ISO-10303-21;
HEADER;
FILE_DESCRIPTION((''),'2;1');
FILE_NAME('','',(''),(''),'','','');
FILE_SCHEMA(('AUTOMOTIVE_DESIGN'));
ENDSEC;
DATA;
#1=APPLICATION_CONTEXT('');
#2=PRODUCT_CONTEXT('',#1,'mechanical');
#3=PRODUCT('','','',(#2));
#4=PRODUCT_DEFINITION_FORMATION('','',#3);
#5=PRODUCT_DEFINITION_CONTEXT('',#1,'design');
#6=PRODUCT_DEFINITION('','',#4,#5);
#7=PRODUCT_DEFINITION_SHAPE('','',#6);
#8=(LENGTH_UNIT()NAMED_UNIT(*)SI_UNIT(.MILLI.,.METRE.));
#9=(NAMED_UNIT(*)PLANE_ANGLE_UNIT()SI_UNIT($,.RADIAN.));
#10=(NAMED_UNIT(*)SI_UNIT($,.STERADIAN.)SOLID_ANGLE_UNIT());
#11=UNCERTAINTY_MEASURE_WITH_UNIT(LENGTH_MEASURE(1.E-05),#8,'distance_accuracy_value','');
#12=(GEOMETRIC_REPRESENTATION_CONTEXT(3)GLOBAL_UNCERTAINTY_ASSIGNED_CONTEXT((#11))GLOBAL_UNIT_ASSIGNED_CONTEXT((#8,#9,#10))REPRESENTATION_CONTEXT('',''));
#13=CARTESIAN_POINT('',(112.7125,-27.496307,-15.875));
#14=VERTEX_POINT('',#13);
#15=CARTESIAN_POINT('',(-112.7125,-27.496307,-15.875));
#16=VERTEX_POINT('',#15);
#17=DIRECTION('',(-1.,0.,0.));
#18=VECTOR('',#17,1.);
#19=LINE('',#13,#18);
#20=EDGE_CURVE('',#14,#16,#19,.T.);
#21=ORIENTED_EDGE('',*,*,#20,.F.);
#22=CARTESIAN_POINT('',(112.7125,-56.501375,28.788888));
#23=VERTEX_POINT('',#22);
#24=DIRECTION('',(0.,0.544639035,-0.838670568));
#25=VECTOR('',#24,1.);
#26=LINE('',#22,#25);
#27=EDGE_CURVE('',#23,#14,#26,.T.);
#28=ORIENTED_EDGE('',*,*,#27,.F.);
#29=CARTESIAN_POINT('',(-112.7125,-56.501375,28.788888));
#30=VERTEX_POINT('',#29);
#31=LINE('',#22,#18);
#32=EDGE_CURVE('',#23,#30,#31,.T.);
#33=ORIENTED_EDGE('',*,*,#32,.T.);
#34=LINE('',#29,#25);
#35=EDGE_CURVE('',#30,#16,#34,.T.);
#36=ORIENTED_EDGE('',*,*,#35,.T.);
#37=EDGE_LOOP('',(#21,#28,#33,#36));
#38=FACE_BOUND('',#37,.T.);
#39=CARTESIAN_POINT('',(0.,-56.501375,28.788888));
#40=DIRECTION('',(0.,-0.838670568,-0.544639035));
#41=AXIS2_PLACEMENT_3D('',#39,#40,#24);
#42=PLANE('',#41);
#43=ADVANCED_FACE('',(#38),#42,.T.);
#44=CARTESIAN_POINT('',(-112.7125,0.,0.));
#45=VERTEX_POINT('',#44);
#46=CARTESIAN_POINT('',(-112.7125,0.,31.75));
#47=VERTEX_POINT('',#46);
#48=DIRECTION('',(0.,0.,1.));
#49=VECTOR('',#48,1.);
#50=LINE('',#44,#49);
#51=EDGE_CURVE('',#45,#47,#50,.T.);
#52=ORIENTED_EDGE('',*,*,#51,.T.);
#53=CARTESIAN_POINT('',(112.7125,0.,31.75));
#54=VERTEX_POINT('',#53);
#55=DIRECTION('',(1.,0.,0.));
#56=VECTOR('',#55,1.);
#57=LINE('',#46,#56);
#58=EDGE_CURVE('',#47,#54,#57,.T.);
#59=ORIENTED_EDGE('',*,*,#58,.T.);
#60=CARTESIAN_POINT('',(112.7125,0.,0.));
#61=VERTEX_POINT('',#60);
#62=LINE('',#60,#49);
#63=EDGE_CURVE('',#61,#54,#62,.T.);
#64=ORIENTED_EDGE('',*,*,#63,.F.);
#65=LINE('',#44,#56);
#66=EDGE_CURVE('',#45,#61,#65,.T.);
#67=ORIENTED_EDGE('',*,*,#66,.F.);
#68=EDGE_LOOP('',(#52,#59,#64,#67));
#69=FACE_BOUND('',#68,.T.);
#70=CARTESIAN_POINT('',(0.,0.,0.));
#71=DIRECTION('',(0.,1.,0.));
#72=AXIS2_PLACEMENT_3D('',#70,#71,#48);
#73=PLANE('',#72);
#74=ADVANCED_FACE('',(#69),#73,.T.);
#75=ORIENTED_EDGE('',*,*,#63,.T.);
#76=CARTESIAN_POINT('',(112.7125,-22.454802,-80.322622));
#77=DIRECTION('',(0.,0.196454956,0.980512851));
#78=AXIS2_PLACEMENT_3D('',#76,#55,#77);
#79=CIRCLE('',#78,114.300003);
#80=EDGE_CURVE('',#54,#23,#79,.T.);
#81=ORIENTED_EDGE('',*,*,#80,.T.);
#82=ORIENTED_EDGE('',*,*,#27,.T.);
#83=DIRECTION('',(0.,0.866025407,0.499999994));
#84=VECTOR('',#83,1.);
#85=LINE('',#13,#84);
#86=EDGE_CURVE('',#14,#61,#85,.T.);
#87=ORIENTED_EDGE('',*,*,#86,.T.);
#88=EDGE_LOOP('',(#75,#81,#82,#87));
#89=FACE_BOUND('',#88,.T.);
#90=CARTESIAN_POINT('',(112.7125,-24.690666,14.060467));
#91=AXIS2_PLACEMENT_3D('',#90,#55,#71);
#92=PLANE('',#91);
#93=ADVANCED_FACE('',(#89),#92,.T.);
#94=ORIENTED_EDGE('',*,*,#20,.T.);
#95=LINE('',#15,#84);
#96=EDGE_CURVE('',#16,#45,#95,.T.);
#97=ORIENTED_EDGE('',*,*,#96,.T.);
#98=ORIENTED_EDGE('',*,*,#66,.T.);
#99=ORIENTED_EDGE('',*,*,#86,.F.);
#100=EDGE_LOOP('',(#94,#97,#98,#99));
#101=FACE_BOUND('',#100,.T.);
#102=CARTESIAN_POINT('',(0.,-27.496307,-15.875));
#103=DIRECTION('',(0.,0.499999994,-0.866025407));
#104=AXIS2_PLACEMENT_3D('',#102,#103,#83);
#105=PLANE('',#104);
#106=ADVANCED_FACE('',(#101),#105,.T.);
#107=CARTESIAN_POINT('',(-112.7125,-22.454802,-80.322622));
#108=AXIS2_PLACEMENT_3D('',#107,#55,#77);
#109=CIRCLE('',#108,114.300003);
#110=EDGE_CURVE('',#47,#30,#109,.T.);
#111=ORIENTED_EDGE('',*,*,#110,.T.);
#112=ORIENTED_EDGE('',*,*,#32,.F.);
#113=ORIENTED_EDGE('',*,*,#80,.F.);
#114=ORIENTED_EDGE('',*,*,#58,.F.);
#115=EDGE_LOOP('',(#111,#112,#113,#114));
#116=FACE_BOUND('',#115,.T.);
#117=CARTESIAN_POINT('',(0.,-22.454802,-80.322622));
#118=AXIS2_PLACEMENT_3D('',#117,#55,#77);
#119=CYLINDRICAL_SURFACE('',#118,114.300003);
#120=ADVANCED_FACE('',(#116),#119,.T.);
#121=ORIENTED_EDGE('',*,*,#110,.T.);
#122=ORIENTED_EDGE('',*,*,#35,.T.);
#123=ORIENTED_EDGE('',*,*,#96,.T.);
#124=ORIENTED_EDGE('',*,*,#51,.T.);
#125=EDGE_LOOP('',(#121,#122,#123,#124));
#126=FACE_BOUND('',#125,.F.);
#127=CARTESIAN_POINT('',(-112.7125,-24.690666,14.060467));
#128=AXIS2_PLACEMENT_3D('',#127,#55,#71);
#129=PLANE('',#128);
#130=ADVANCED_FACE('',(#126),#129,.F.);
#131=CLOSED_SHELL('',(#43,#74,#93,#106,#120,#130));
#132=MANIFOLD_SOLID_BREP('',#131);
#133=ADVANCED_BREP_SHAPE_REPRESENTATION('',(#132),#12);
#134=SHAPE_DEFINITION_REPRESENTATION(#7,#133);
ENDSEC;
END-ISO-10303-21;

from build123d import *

# Parameters (mm, degrees)
F1_DEPTH = 112.7125


with BuildPart() as f1:
    # F0 (on Right) → F1 (new body, symmetric)
    with BuildSketch(Plane.YZ):
        with BuildLine():
            Line((-27.496307, -15.875), (0, 0))
            Line((0, 0), (0, 31.75))
            ThreePointArc((0, 31.75), (-28.436803, 33.820737), (-56.501375, 28.788888))
            Line((-56.501375, 28.788888), (-27.496307, -15.875))
        make_face()
    extrude(amount=F1_DEPTH, both=True)


solid = f1.part
